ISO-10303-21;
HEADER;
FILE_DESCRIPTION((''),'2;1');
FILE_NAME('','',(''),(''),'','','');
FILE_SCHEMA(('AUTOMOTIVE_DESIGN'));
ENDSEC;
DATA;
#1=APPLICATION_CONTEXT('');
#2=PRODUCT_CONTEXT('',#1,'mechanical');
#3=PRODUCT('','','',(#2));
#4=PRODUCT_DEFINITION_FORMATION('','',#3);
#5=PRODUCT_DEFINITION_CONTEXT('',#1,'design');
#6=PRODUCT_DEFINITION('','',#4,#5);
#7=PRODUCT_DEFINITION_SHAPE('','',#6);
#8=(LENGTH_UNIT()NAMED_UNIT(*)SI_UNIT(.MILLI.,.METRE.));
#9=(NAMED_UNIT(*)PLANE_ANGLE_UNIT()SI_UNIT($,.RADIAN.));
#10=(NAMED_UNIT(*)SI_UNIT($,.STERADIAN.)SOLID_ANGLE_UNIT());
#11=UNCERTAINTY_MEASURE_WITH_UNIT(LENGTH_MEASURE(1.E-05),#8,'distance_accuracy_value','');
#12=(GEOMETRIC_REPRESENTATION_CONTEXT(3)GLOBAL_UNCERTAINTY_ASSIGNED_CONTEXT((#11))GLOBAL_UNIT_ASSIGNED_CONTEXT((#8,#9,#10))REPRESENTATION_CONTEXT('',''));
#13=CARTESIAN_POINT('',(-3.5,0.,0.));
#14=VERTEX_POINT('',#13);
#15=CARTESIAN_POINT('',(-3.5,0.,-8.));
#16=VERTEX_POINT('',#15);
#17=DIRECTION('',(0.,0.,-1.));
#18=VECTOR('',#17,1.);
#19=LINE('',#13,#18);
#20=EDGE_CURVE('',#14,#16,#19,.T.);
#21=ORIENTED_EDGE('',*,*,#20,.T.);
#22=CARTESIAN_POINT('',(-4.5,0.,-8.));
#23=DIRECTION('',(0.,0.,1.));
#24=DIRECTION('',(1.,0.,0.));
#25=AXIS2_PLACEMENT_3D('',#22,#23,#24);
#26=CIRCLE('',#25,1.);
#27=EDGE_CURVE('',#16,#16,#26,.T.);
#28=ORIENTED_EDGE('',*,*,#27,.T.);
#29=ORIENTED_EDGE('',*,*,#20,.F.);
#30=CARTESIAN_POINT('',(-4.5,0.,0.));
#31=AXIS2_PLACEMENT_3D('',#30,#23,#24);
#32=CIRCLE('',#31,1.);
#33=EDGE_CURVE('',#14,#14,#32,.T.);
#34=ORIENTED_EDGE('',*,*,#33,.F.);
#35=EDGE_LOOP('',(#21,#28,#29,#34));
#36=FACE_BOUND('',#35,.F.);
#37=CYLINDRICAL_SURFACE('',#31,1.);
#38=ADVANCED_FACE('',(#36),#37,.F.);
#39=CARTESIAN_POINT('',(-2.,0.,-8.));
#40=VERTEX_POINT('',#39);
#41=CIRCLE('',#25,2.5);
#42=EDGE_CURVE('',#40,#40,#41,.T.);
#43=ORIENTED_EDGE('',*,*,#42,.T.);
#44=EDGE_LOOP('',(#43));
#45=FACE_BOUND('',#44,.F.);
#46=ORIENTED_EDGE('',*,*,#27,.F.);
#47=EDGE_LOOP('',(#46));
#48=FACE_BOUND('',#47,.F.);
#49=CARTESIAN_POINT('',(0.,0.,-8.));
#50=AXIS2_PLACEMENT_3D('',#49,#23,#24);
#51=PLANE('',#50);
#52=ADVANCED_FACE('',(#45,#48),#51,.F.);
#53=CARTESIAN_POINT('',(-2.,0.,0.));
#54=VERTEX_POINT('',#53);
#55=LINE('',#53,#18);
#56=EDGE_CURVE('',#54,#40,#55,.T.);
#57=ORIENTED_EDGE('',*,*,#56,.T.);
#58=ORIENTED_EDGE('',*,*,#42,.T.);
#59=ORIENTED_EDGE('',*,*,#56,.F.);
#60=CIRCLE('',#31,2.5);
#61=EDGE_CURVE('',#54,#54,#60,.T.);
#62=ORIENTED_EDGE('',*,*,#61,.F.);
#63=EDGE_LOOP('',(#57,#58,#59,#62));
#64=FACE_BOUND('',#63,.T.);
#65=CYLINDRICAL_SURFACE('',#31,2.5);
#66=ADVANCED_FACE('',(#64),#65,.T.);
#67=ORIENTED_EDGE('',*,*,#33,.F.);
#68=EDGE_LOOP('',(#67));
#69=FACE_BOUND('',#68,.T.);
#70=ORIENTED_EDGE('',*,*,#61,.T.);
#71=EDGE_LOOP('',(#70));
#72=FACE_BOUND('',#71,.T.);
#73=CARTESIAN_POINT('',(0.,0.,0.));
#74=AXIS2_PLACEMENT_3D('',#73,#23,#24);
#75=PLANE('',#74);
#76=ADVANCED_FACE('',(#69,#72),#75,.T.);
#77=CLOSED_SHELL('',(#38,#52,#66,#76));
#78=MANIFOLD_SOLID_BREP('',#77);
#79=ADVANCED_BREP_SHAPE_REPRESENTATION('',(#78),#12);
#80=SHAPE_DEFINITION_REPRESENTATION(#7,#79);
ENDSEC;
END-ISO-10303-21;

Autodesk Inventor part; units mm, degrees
ref_plane "YZ Plane" through (0, 0, 0) normal (1, 0, 0) x (0, 1, 0)
ref_plane "XZ Plane" through (0, 0, 0) normal (0, 1, 0) x (-1, 0, 0)
ref_plane "XY Plane" through (0, 0, 0) normal (0, 0, 1) x (1, 0, 0)
sketch "Sketch1" plane through (0, 0, 0) normal (0, 0, 1) x (1, 0, 0)
  circle A0 centre (-4.5, 0) radius 2.5
  circle A1 centre (-4.5, 0) radius 1
  point P0 (0, 0)
extrude "Extrusion1" add sketch "Sketch1" against normal blind 8
properties part number "luva"
